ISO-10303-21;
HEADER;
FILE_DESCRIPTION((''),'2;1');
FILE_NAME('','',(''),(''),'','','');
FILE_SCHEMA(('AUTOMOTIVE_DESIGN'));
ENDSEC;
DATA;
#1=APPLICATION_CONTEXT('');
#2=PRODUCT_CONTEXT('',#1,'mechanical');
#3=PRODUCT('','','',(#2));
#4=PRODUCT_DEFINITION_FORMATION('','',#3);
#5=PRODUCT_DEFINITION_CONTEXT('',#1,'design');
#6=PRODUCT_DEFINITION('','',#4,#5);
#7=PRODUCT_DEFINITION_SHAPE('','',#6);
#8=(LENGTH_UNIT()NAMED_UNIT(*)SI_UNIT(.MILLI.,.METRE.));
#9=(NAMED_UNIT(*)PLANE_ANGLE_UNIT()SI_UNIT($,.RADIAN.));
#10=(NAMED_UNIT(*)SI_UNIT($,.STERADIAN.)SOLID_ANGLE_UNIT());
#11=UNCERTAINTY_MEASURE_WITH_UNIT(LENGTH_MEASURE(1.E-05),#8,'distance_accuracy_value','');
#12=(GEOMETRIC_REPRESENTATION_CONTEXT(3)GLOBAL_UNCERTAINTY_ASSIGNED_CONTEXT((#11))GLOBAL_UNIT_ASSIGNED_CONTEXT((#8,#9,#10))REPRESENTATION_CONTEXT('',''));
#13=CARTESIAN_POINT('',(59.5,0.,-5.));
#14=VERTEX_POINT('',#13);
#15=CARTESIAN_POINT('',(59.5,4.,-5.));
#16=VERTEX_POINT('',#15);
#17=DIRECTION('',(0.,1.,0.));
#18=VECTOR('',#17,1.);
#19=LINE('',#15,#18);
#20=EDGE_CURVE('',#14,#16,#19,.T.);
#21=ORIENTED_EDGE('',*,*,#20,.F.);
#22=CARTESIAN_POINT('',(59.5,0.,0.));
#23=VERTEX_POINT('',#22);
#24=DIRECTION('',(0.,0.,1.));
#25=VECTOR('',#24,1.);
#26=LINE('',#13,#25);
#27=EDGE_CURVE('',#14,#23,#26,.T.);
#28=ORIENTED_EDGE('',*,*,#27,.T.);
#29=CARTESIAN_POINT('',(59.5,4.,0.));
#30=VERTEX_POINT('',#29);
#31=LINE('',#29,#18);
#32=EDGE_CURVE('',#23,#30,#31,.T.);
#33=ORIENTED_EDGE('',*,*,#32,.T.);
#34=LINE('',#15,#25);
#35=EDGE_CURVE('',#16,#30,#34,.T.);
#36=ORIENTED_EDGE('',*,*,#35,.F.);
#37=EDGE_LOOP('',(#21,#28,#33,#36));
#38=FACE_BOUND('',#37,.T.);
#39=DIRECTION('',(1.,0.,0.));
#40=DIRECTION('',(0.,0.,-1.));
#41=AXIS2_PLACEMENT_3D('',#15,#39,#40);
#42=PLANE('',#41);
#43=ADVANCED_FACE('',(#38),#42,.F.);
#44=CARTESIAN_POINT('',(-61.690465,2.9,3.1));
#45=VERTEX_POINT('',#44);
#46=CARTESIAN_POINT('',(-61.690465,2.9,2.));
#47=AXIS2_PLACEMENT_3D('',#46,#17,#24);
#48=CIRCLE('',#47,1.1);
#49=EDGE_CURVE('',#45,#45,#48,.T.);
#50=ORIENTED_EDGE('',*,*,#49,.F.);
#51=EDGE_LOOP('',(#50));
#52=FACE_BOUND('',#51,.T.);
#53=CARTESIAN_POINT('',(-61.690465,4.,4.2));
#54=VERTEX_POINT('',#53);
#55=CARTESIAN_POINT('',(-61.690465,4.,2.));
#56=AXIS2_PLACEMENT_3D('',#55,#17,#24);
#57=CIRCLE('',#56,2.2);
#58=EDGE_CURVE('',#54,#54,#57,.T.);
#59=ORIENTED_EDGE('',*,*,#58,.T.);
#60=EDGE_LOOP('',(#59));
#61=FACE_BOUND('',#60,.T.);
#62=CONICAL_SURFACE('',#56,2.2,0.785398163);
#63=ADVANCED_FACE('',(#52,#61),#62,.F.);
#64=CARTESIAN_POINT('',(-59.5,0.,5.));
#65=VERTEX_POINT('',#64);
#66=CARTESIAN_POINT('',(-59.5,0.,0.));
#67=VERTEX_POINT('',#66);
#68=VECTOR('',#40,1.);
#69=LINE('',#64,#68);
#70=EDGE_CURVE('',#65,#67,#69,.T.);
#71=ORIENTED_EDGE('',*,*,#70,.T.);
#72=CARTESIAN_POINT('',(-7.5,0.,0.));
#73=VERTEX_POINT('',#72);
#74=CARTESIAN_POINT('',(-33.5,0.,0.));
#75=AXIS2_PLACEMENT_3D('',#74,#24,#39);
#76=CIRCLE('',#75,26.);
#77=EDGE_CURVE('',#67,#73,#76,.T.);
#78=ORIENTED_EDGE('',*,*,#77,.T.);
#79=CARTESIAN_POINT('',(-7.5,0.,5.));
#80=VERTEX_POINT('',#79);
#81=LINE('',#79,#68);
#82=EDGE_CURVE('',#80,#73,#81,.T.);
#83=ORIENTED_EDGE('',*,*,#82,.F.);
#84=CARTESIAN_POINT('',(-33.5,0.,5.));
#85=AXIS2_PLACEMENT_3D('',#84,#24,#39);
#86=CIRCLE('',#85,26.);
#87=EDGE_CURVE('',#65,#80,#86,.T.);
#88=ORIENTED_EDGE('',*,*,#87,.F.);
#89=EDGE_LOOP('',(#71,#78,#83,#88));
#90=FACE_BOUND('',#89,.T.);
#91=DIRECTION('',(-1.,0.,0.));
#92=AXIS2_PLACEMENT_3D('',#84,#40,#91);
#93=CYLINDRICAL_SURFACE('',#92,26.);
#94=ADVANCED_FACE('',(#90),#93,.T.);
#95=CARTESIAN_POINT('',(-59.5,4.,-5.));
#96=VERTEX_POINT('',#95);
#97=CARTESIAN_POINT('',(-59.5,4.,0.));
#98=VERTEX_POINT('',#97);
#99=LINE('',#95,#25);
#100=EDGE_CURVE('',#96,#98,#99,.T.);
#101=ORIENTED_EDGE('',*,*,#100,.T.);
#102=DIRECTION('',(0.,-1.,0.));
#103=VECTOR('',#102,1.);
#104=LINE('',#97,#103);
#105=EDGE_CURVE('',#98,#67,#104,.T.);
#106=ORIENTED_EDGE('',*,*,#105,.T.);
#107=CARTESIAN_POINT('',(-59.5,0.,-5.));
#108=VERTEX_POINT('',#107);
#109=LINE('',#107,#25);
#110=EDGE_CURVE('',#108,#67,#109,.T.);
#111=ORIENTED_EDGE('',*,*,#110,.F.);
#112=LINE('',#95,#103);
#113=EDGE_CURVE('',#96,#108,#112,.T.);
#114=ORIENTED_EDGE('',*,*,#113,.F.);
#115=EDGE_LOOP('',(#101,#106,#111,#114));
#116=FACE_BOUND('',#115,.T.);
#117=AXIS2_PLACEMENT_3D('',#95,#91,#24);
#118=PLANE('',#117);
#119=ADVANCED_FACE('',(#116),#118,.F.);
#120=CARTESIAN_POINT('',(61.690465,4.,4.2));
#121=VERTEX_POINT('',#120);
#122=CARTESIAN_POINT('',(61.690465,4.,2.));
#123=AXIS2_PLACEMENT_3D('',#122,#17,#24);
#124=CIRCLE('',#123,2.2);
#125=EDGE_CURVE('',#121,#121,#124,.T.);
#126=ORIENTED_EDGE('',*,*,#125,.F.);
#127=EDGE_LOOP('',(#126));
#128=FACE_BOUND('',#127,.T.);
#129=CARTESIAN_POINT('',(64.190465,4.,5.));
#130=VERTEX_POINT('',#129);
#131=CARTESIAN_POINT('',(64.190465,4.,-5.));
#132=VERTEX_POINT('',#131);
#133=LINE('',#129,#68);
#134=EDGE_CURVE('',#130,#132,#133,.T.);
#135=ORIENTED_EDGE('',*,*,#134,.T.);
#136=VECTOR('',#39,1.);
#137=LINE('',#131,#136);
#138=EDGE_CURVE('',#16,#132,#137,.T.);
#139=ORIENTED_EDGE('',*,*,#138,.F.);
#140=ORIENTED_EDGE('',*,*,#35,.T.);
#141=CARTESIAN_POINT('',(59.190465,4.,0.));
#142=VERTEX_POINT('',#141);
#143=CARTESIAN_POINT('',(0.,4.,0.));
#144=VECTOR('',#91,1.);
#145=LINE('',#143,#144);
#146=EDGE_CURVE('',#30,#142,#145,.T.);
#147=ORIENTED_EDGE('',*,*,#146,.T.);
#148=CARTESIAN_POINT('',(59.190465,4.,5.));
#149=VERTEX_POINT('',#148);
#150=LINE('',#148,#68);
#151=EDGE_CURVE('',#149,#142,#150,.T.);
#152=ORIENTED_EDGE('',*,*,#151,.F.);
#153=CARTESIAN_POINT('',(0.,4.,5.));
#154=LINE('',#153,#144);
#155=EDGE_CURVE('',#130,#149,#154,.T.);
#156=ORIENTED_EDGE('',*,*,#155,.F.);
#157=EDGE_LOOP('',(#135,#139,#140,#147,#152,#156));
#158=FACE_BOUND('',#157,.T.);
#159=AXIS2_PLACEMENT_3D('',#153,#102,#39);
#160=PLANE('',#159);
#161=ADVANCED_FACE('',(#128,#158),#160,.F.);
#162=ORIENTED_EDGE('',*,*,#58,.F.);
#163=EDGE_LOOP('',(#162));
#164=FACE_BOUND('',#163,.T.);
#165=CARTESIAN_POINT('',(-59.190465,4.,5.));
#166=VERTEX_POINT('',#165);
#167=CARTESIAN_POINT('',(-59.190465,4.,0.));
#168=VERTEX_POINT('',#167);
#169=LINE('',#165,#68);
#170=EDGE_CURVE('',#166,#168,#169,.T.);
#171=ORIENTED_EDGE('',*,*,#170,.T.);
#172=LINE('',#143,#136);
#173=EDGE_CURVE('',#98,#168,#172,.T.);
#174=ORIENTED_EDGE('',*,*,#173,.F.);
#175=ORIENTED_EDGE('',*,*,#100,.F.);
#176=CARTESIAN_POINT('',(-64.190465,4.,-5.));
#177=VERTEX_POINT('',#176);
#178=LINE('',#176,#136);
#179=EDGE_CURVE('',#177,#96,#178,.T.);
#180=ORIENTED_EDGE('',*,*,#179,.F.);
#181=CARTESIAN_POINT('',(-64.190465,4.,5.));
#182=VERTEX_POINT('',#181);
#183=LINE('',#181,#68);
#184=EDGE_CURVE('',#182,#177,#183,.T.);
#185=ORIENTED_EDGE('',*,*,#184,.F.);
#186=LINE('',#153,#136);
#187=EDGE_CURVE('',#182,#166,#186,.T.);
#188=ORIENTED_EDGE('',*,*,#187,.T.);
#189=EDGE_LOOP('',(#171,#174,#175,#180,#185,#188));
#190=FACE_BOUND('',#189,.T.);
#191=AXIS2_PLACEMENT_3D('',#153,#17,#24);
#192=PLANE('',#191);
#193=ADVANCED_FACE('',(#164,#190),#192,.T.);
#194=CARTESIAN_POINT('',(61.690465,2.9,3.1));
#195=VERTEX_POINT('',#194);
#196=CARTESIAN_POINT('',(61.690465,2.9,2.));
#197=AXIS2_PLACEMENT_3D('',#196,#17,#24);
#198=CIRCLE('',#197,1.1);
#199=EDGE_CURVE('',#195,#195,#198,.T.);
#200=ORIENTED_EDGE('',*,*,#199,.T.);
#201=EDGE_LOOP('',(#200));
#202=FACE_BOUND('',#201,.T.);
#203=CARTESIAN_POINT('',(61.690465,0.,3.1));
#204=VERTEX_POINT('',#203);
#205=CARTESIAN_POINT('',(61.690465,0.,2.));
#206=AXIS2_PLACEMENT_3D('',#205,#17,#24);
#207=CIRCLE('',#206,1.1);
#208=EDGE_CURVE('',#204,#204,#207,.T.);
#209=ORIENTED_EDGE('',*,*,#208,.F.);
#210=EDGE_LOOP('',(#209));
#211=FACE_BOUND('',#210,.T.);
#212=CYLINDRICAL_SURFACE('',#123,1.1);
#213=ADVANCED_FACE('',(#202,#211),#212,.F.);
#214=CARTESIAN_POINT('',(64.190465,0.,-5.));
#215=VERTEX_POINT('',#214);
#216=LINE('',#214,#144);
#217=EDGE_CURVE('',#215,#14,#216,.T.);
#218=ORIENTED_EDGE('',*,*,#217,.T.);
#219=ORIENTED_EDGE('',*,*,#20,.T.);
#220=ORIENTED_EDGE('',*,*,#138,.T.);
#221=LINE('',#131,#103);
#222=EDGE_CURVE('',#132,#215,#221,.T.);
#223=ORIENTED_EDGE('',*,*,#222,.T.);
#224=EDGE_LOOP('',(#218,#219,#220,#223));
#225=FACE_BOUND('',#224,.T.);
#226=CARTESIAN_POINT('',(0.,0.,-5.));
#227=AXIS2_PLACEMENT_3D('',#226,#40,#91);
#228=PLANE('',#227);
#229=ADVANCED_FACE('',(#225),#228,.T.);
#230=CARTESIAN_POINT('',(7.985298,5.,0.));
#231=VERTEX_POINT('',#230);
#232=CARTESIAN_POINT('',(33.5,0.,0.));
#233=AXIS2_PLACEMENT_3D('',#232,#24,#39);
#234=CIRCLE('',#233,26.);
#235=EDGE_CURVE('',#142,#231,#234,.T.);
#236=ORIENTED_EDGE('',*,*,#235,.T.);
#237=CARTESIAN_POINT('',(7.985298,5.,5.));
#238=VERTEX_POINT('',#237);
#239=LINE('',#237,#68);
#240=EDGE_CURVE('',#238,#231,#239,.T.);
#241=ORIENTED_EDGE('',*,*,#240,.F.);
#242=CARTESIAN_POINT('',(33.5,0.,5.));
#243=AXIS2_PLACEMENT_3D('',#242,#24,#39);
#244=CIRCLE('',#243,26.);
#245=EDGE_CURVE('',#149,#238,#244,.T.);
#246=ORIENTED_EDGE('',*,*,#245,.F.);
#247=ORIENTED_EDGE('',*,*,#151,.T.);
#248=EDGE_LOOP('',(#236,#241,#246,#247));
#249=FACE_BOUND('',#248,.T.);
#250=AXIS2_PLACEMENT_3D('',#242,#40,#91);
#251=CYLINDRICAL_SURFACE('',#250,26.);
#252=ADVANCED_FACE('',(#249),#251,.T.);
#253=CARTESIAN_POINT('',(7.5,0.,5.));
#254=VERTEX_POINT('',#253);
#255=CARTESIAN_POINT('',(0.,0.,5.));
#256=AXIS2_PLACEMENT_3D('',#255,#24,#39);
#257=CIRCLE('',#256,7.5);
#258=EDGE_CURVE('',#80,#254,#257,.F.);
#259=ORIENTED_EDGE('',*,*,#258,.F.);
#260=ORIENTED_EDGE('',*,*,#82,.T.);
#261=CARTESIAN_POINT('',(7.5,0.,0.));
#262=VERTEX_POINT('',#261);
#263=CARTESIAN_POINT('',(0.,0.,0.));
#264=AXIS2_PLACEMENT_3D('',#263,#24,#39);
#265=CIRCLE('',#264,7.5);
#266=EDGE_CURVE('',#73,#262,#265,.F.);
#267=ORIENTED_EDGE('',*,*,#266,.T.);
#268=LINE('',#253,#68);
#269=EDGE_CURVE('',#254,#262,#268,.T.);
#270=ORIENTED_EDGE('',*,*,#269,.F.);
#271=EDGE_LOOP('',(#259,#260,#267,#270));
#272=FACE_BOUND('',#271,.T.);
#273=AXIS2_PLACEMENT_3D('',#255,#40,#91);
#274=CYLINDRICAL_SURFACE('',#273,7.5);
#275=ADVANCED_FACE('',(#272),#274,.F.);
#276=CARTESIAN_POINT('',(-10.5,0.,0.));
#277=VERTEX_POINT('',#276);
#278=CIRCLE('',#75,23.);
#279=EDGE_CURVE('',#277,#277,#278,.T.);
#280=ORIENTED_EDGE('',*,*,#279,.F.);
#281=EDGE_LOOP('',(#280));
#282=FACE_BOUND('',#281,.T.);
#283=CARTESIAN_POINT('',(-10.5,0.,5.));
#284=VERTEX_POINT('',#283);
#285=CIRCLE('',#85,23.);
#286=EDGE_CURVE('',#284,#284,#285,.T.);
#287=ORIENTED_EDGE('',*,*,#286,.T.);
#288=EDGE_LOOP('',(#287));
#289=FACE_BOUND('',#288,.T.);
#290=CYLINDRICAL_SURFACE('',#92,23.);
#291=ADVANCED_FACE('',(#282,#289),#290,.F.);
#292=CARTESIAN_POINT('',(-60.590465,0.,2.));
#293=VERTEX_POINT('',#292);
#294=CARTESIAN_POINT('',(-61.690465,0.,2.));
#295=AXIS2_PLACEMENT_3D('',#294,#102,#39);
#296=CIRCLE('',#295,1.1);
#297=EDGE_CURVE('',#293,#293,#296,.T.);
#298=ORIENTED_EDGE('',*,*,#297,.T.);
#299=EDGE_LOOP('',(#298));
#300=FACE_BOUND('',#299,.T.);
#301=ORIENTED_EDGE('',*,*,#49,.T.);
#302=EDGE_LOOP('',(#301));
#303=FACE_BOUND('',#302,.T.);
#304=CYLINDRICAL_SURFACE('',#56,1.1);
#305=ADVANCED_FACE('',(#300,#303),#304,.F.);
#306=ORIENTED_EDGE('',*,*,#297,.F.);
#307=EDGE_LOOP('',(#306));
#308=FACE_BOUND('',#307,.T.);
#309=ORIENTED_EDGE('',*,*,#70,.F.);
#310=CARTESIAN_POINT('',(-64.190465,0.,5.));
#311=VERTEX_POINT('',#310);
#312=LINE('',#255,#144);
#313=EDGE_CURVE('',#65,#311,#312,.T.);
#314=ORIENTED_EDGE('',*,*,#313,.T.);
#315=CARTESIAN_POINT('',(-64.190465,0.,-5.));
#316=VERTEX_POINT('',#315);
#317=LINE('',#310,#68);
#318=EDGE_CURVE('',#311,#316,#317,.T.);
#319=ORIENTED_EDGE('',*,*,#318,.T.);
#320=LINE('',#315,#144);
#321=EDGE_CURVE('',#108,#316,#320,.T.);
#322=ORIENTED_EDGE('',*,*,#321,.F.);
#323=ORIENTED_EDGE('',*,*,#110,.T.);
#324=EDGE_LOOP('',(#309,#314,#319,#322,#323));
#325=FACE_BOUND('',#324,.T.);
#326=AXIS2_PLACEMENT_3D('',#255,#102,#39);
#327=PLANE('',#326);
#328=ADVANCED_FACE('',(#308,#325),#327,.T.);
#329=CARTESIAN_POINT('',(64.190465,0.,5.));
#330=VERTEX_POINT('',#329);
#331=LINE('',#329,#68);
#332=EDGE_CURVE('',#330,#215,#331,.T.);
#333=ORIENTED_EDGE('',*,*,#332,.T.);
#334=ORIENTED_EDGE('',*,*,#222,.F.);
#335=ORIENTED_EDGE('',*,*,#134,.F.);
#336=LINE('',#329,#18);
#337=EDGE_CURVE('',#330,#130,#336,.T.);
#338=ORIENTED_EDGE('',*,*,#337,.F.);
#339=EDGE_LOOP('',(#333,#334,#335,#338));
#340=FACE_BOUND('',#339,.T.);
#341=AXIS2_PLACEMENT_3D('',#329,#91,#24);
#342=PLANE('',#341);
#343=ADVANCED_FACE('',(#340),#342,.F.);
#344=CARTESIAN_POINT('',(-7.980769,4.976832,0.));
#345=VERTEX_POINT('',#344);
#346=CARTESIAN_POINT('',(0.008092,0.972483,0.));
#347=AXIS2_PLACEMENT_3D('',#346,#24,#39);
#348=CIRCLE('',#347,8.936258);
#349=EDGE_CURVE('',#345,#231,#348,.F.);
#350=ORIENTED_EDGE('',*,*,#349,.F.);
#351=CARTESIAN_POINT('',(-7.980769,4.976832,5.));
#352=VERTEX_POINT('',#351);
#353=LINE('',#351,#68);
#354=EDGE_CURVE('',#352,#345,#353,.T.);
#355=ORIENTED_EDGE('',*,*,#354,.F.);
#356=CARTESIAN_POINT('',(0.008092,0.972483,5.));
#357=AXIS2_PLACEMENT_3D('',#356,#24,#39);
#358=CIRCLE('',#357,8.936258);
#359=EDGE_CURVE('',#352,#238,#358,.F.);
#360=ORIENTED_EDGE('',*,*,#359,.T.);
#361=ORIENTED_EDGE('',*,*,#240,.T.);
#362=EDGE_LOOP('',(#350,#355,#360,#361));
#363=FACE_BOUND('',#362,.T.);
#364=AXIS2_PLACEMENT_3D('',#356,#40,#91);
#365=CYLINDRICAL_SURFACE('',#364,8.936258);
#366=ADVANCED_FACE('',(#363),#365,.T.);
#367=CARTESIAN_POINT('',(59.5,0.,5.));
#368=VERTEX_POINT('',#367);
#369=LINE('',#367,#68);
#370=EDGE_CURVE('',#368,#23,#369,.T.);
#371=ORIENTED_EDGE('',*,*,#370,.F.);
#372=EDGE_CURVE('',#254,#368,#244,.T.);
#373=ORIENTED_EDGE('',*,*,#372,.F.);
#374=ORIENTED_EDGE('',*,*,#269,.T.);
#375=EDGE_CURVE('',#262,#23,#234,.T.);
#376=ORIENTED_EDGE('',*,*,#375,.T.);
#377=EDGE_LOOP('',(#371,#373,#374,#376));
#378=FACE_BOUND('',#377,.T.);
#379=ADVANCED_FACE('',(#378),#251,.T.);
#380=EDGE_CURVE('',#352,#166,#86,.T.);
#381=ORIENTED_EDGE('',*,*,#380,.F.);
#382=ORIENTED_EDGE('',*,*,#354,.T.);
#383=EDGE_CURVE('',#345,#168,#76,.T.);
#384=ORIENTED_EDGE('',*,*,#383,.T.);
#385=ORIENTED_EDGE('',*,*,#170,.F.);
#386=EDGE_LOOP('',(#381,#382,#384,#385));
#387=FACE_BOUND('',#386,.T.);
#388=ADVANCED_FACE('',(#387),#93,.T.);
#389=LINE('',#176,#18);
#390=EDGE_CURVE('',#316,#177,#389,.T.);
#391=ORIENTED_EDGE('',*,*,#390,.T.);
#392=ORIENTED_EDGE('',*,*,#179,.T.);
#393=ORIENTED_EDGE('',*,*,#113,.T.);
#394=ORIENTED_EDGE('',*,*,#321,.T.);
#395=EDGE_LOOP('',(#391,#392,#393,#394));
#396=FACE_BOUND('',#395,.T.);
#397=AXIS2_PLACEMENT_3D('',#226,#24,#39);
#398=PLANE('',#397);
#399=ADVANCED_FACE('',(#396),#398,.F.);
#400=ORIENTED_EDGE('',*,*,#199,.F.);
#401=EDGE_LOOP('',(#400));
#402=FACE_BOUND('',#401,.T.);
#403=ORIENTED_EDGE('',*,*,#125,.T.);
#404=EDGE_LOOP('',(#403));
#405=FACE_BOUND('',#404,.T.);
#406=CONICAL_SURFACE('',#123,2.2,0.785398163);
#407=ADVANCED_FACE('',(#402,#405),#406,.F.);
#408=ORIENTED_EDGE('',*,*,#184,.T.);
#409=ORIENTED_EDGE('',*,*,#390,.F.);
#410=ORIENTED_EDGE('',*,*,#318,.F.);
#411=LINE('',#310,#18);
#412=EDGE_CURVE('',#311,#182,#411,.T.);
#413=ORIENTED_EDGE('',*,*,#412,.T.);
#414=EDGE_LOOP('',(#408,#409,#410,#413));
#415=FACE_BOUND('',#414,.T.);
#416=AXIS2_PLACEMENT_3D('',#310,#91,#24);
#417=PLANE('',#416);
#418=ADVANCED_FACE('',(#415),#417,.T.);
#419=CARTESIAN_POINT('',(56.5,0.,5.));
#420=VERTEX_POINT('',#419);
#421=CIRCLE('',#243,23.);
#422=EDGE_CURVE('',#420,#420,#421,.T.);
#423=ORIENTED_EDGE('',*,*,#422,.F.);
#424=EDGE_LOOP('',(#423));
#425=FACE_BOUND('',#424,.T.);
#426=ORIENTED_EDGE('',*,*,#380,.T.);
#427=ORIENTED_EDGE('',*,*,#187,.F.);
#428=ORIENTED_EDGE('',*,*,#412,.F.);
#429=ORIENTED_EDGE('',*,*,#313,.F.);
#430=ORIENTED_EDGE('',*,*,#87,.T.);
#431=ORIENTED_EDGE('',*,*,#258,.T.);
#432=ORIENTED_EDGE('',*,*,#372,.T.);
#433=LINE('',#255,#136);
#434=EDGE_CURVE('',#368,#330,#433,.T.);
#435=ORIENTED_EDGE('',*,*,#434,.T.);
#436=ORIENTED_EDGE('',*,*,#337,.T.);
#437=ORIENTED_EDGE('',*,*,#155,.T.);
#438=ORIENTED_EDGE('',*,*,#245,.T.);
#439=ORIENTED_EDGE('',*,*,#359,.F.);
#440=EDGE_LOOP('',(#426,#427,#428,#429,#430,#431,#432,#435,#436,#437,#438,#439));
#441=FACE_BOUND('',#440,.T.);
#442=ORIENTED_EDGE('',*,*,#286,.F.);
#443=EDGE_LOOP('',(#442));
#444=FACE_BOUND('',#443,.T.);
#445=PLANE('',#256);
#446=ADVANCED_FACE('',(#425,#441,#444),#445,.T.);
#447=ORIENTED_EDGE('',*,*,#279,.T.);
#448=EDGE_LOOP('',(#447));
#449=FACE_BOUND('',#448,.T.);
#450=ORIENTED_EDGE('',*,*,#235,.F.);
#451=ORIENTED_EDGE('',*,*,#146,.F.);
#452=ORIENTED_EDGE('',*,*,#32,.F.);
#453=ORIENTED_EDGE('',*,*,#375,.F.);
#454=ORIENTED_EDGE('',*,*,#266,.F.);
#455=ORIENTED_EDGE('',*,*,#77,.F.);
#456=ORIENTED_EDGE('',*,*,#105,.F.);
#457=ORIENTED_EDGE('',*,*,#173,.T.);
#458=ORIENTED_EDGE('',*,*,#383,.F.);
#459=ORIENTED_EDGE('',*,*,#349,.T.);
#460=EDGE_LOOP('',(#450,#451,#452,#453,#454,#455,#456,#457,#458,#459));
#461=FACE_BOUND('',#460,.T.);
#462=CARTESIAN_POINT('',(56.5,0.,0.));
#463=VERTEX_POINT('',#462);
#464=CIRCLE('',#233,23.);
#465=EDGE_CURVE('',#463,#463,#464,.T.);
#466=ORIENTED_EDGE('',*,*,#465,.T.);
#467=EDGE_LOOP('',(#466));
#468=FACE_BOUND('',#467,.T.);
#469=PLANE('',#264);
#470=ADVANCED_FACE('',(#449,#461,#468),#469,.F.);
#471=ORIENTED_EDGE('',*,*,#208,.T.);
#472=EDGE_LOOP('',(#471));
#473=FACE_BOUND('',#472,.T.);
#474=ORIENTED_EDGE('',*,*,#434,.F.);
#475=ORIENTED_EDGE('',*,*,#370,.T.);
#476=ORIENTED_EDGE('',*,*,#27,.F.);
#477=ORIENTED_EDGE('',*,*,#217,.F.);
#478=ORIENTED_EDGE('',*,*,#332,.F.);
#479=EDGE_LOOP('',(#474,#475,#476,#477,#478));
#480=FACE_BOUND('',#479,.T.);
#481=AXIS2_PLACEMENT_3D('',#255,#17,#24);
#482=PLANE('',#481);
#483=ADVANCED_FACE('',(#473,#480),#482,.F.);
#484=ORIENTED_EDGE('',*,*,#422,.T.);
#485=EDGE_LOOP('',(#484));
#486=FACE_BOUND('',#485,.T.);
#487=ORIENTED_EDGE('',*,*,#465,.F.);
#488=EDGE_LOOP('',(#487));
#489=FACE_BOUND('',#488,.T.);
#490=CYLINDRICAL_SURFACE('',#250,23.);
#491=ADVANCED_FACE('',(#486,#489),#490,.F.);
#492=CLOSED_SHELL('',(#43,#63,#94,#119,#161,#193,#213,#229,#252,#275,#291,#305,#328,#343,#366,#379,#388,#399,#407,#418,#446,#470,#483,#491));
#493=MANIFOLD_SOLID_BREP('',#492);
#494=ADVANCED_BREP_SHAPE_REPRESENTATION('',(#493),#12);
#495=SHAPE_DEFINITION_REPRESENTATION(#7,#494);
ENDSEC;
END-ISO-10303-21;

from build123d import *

# Parameters (mm, degrees)
SKIZZE1_R                                            = 23
AUFSATZ_LINEAR_AUSTRAGEN1_DEPTH                      = 5
SKIZZE2_W                                            = 4.690465157
SKIZZE2_H                                            = 4
AUFSATZ_LINEAR_AUSTRAGEN2_DEPTH                      = 5
FORMSENKUNG_F_R_M2_SENKSCHRAUBE_MIT_SCHL_D           = 2.2
FORMSENKUNG_F_R_M2_SENKSCHRAUBE_MIT_SCHL_DEPTH       = 50
FORMSENKUNG_F_R_M2_SENKSCHRAUBE_MIT_SCHL_CSINK_D     = 4.4
FORMSENKUNG_F_R_M2_SENKSCHRAUBE_MIT_SCHL_CSINK_ANGLE = 90
FORMSENKUNG_F_R_M2_SENKSCHRAUBE_MIT_SCHL_TIP         = 0.660946681


with BuildPart() as part:
    # Skizze1 → Aufsatz-Linear austragen1 (new body)
    with BuildSketch(Plane.XY):
        with BuildLine():
            Line((64.190465157, 4), (59.190465157, 4))
            ThreePointArc((59.190465157, 4), (34.007664459, 25.995043312), (7.985298356, 5))
            ThreePointArc((7.985298356, 5), (-0.004875067, 9.908732253), (-7.980769231, 4.976832421))
            ThreePointArc((-7.980769231, 4.976832421), (-33.995863589, 25.995271095), (-59.190465157, 4))
            Line((-59.190465157, 4), (-64.190465157, 4))
            Line((-64.190465157, 4), (-64.190465157, 0))
            Line((-64.190465157, 0), (-59.5, 0))
            ThreePointArc((-59.5, 0), (-33.5, -26), (-7.5, 0))
            ThreePointArc((-7.5, 0), (0, 7.5), (7.5, 0))
            ThreePointArc((7.5, 0), (33.5, -26), (59.5, 0))
            Line((59.5, 0), (64.190465157, 0))
            Line((64.190465157, 0), (64.190465157, 4))
        make_face()
        with Locations((33.5, 0)):
            Circle(SKIZZE1_R, mode=Mode.SUBTRACT)
        with Locations((-33.5, 0)):
            Circle(SKIZZE1_R, mode=Mode.SUBTRACT)
    extrude(amount=AUFSATZ_LINEAR_AUSTRAGEN1_DEPTH)

    # Skizze2 → Aufsatz-Linear austragen2 (add)
    with BuildSketch(Plane(origin=(0, 0, 0), x_dir=(-1, 0, 0), z_dir=(0, 0, -1))):
        with Locations((-61.845232579, 2)):
            Rectangle(SKIZZE2_W, SKIZZE2_H)
        with Locations((61.845232579, 2)):
            Rectangle(SKIZZE2_W, SKIZZE2_H)
    extrude(amount=AUFSATZ_LINEAR_AUSTRAGEN2_DEPTH)

    # Formsenkung für M2 Senkschraube mit Schlitz/Kreuzschlitz1
    with Locations(Plane(origin=(0, 4, 0), x_dir=(1, 0, 0), z_dir=(0, 1, 0))):
        with Locations((61.690465157, -2), (-61.690465157, -2)):
            CounterSinkHole(FORMSENKUNG_F_R_M2_SENKSCHRAUBE_MIT_SCHL_D / 2, FORMSENKUNG_F_R_M2_SENKSCHRAUBE_MIT_SCHL_CSINK_D / 2, depth=FORMSENKUNG_F_R_M2_SENKSCHRAUBE_MIT_SCHL_DEPTH, counter_sink_angle=FORMSENKUNG_F_R_M2_SENKSCHRAUBE_MIT_SCHL_CSINK_ANGLE)
            with Locations((0, 0, -(FORMSENKUNG_F_R_M2_SENKSCHRAUBE_MIT_SCHL_DEPTH + FORMSENKUNG_F_R_M2_SENKSCHRAUBE_MIT_SCHL_TIP / 2))):  # 118° drill point
                Cone(0, FORMSENKUNG_F_R_M2_SENKSCHRAUBE_MIT_SCHL_D / 2, FORMSENKUNG_F_R_M2_SENKSCHRAUBE_MIT_SCHL_TIP, mode=Mode.SUBTRACT)


solid = part.part
